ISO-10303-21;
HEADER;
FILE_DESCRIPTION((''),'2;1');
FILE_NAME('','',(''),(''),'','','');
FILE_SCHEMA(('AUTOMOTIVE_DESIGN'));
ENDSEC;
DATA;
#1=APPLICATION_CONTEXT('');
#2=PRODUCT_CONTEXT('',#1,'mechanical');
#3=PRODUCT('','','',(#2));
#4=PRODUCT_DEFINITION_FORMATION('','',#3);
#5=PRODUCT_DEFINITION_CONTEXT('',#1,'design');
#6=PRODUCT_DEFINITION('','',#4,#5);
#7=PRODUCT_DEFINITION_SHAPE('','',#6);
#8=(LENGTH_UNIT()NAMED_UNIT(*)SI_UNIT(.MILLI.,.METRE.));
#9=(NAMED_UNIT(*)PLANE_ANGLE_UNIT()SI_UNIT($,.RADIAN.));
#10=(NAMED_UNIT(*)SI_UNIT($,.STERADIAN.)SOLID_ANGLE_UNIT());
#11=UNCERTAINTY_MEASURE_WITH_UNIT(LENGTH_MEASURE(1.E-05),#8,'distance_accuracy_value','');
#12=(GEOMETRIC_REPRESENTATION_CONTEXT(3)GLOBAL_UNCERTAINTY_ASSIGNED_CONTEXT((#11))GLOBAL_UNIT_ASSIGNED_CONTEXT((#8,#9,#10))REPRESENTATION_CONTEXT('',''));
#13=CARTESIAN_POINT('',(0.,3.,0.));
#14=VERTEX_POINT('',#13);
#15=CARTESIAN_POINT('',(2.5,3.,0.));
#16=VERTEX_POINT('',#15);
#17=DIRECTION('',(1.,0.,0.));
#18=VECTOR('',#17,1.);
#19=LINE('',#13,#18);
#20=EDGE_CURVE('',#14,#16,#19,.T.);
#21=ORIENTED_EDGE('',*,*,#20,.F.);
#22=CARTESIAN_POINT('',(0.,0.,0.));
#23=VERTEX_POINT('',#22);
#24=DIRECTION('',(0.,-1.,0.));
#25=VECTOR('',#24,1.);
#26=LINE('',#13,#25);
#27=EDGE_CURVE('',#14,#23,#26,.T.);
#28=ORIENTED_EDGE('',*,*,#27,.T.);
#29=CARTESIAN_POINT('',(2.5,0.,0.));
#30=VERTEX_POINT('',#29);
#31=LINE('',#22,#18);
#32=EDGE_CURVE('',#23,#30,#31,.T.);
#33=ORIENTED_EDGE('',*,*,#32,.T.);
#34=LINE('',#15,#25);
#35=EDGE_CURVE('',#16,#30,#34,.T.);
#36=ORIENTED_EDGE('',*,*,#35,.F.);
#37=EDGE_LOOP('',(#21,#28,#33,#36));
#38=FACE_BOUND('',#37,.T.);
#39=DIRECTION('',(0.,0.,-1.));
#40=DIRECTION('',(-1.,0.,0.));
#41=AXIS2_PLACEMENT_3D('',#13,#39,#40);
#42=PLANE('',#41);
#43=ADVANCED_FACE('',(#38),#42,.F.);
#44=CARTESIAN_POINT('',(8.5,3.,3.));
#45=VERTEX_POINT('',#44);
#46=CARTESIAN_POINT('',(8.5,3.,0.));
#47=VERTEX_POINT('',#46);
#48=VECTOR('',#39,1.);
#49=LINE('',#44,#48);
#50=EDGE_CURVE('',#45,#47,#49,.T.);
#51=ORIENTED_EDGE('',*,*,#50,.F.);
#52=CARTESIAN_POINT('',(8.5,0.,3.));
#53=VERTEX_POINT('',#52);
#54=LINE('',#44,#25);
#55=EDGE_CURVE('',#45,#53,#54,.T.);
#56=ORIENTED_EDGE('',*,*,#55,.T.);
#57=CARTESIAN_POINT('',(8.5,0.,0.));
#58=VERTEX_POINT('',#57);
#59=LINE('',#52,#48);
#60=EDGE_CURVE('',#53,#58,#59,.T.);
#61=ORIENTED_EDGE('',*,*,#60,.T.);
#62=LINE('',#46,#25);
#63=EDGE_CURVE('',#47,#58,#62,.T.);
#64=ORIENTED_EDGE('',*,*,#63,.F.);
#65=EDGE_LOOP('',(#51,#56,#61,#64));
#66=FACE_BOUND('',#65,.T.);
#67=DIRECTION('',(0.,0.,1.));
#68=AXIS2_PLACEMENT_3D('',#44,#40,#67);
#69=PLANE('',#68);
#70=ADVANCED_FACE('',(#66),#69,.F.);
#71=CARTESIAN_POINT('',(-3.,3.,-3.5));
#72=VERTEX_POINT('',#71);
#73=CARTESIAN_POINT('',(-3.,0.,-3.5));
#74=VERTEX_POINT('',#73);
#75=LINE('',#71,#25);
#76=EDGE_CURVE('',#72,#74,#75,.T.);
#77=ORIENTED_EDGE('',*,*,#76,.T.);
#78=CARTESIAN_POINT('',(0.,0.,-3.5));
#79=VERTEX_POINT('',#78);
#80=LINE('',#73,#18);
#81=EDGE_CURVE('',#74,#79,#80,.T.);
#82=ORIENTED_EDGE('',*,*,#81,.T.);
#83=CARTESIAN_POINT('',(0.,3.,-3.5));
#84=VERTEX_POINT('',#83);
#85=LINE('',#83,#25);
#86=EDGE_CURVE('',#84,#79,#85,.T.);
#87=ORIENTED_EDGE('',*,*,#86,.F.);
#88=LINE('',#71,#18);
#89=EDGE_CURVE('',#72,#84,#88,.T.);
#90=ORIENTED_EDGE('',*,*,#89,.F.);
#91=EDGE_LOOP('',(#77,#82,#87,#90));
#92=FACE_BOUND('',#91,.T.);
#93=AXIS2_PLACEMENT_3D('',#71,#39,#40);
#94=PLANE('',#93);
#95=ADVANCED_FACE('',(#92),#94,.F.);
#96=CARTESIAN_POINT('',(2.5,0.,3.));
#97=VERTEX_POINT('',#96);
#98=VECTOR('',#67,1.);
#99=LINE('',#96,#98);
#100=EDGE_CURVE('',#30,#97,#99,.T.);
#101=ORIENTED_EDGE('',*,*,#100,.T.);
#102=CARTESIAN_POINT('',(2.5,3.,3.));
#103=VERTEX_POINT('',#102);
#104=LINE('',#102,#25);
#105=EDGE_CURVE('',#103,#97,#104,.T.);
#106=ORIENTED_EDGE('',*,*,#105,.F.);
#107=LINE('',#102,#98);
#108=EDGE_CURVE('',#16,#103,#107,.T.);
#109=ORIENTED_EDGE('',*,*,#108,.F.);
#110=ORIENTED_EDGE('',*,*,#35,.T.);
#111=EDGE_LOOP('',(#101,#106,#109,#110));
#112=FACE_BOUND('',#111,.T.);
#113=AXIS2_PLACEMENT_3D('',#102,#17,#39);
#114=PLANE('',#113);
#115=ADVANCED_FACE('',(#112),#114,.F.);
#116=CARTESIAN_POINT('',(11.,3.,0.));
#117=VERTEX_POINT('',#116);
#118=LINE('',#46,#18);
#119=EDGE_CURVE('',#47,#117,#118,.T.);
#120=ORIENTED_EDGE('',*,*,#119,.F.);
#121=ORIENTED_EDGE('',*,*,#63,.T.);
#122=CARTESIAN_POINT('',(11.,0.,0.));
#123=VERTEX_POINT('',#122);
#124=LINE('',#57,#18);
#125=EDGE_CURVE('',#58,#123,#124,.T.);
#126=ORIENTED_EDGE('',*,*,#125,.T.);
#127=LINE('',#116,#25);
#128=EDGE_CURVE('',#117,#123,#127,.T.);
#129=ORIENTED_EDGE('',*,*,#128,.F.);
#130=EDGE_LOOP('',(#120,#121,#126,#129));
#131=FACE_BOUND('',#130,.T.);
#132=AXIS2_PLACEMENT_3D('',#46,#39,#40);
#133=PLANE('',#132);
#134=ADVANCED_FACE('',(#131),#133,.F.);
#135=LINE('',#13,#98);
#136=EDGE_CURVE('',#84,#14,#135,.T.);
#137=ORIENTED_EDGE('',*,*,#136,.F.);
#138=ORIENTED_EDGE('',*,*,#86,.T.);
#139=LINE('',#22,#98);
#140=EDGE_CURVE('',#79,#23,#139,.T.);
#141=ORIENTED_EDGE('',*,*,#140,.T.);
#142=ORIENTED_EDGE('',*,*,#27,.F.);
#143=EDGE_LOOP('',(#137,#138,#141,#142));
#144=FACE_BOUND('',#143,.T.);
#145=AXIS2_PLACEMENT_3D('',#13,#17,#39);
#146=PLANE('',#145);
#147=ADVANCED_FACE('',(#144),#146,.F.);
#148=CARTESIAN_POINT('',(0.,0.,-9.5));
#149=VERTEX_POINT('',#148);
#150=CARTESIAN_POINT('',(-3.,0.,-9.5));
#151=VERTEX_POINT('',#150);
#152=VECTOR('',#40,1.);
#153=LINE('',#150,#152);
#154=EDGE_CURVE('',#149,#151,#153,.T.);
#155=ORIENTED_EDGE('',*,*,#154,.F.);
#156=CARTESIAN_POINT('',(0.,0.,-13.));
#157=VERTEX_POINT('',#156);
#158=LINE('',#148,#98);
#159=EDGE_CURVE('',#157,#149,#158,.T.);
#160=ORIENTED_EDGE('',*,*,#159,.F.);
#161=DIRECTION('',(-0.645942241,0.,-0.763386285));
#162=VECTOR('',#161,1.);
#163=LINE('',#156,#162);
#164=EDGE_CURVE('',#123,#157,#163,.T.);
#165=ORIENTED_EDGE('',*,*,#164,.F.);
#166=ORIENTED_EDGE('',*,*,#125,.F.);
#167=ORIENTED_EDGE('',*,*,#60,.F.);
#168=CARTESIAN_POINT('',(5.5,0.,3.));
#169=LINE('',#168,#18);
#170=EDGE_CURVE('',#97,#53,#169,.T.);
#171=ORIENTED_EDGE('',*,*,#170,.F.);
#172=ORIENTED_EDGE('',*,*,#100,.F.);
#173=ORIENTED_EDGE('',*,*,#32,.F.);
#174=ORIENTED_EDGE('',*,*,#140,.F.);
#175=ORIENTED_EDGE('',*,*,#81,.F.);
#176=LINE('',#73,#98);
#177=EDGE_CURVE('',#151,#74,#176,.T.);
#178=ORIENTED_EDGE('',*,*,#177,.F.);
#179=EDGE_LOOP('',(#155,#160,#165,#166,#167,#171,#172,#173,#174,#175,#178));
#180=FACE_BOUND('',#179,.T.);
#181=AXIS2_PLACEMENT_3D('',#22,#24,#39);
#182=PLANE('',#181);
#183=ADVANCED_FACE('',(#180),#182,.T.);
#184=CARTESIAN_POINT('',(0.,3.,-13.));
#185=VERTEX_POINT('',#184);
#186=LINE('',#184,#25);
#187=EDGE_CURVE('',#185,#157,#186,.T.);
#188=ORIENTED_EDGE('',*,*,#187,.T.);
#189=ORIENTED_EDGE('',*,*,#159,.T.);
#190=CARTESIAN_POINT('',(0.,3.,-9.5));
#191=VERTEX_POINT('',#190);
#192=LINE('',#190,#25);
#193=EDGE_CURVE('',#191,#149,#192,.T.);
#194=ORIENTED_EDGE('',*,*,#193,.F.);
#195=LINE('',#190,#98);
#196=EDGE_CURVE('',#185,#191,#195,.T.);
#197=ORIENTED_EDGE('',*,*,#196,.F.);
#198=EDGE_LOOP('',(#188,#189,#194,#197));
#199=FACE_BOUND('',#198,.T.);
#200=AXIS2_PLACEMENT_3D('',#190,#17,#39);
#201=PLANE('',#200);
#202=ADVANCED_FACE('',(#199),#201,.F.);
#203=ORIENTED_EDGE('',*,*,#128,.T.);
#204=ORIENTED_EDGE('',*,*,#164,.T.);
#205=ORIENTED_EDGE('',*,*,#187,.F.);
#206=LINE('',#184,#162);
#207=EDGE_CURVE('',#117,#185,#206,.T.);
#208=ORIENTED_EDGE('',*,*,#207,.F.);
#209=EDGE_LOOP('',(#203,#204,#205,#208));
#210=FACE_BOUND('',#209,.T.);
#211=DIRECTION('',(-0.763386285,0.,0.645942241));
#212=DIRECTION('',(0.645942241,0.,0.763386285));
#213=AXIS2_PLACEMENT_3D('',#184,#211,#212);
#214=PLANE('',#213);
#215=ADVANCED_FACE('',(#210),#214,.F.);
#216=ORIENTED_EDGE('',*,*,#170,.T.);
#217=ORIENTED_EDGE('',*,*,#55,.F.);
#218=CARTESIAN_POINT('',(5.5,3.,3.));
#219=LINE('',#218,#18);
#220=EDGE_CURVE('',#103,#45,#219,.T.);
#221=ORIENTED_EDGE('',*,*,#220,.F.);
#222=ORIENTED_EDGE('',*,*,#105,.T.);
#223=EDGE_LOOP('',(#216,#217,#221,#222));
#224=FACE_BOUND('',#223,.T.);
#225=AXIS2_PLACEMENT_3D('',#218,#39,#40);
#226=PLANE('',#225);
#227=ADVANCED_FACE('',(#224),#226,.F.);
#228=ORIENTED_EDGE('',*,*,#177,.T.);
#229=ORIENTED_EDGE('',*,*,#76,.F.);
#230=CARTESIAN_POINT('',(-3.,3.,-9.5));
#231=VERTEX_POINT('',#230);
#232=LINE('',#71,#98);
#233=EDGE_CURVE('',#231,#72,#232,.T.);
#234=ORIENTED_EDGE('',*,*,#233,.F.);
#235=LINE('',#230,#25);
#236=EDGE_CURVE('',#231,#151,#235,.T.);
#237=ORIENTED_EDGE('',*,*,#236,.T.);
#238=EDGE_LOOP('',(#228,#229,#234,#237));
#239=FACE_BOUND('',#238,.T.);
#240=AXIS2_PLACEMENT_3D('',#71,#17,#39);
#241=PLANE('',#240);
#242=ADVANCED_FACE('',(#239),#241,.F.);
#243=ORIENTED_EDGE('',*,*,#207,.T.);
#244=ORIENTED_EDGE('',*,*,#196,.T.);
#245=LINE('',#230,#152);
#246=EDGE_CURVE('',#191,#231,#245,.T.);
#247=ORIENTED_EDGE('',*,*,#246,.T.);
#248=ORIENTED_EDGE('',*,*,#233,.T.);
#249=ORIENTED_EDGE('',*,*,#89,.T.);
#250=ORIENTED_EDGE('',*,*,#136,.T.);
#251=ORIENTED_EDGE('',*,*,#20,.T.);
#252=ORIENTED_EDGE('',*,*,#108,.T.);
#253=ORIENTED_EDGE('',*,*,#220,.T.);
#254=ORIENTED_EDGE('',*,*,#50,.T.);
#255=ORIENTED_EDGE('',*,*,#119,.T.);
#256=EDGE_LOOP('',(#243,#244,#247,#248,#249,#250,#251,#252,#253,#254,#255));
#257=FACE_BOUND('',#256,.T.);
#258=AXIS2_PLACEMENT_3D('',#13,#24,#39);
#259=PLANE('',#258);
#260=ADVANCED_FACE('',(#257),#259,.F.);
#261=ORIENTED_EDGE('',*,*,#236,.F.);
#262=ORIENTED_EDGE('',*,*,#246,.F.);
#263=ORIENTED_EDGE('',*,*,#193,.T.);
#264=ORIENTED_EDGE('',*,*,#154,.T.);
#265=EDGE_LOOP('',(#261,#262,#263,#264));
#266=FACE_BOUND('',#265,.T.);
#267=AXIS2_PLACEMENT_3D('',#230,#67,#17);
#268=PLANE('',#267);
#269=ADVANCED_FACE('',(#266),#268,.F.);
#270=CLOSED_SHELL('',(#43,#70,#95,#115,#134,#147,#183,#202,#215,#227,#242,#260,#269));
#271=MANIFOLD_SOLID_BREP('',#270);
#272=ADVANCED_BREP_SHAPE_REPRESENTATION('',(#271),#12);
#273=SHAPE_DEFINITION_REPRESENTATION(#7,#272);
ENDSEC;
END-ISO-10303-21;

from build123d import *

# Parameters (mm, degrees)
SALIENTE_EXTRUIR1_DEPTH = 3


with BuildPart() as part:
    # Croquis1 → Saliente-Extruir1 (new body)
    with BuildSketch(Plane(origin=(0, 0, 0), x_dir=(1, 0, 0), z_dir=(0, 1, 0))):
        Polygon((0, 0), (2.5, 0), (2.5, -3), (5.5, -3), (8.5, -3), (8.5, 0), (11, 0), (0, 13), (0, 9.5), (-3, 9.5), (-3, 3.5), (0, 3.5), align=None)
    extrude(amount=SALIENTE_EXTRUIR1_DEPTH)


solid = part.part
